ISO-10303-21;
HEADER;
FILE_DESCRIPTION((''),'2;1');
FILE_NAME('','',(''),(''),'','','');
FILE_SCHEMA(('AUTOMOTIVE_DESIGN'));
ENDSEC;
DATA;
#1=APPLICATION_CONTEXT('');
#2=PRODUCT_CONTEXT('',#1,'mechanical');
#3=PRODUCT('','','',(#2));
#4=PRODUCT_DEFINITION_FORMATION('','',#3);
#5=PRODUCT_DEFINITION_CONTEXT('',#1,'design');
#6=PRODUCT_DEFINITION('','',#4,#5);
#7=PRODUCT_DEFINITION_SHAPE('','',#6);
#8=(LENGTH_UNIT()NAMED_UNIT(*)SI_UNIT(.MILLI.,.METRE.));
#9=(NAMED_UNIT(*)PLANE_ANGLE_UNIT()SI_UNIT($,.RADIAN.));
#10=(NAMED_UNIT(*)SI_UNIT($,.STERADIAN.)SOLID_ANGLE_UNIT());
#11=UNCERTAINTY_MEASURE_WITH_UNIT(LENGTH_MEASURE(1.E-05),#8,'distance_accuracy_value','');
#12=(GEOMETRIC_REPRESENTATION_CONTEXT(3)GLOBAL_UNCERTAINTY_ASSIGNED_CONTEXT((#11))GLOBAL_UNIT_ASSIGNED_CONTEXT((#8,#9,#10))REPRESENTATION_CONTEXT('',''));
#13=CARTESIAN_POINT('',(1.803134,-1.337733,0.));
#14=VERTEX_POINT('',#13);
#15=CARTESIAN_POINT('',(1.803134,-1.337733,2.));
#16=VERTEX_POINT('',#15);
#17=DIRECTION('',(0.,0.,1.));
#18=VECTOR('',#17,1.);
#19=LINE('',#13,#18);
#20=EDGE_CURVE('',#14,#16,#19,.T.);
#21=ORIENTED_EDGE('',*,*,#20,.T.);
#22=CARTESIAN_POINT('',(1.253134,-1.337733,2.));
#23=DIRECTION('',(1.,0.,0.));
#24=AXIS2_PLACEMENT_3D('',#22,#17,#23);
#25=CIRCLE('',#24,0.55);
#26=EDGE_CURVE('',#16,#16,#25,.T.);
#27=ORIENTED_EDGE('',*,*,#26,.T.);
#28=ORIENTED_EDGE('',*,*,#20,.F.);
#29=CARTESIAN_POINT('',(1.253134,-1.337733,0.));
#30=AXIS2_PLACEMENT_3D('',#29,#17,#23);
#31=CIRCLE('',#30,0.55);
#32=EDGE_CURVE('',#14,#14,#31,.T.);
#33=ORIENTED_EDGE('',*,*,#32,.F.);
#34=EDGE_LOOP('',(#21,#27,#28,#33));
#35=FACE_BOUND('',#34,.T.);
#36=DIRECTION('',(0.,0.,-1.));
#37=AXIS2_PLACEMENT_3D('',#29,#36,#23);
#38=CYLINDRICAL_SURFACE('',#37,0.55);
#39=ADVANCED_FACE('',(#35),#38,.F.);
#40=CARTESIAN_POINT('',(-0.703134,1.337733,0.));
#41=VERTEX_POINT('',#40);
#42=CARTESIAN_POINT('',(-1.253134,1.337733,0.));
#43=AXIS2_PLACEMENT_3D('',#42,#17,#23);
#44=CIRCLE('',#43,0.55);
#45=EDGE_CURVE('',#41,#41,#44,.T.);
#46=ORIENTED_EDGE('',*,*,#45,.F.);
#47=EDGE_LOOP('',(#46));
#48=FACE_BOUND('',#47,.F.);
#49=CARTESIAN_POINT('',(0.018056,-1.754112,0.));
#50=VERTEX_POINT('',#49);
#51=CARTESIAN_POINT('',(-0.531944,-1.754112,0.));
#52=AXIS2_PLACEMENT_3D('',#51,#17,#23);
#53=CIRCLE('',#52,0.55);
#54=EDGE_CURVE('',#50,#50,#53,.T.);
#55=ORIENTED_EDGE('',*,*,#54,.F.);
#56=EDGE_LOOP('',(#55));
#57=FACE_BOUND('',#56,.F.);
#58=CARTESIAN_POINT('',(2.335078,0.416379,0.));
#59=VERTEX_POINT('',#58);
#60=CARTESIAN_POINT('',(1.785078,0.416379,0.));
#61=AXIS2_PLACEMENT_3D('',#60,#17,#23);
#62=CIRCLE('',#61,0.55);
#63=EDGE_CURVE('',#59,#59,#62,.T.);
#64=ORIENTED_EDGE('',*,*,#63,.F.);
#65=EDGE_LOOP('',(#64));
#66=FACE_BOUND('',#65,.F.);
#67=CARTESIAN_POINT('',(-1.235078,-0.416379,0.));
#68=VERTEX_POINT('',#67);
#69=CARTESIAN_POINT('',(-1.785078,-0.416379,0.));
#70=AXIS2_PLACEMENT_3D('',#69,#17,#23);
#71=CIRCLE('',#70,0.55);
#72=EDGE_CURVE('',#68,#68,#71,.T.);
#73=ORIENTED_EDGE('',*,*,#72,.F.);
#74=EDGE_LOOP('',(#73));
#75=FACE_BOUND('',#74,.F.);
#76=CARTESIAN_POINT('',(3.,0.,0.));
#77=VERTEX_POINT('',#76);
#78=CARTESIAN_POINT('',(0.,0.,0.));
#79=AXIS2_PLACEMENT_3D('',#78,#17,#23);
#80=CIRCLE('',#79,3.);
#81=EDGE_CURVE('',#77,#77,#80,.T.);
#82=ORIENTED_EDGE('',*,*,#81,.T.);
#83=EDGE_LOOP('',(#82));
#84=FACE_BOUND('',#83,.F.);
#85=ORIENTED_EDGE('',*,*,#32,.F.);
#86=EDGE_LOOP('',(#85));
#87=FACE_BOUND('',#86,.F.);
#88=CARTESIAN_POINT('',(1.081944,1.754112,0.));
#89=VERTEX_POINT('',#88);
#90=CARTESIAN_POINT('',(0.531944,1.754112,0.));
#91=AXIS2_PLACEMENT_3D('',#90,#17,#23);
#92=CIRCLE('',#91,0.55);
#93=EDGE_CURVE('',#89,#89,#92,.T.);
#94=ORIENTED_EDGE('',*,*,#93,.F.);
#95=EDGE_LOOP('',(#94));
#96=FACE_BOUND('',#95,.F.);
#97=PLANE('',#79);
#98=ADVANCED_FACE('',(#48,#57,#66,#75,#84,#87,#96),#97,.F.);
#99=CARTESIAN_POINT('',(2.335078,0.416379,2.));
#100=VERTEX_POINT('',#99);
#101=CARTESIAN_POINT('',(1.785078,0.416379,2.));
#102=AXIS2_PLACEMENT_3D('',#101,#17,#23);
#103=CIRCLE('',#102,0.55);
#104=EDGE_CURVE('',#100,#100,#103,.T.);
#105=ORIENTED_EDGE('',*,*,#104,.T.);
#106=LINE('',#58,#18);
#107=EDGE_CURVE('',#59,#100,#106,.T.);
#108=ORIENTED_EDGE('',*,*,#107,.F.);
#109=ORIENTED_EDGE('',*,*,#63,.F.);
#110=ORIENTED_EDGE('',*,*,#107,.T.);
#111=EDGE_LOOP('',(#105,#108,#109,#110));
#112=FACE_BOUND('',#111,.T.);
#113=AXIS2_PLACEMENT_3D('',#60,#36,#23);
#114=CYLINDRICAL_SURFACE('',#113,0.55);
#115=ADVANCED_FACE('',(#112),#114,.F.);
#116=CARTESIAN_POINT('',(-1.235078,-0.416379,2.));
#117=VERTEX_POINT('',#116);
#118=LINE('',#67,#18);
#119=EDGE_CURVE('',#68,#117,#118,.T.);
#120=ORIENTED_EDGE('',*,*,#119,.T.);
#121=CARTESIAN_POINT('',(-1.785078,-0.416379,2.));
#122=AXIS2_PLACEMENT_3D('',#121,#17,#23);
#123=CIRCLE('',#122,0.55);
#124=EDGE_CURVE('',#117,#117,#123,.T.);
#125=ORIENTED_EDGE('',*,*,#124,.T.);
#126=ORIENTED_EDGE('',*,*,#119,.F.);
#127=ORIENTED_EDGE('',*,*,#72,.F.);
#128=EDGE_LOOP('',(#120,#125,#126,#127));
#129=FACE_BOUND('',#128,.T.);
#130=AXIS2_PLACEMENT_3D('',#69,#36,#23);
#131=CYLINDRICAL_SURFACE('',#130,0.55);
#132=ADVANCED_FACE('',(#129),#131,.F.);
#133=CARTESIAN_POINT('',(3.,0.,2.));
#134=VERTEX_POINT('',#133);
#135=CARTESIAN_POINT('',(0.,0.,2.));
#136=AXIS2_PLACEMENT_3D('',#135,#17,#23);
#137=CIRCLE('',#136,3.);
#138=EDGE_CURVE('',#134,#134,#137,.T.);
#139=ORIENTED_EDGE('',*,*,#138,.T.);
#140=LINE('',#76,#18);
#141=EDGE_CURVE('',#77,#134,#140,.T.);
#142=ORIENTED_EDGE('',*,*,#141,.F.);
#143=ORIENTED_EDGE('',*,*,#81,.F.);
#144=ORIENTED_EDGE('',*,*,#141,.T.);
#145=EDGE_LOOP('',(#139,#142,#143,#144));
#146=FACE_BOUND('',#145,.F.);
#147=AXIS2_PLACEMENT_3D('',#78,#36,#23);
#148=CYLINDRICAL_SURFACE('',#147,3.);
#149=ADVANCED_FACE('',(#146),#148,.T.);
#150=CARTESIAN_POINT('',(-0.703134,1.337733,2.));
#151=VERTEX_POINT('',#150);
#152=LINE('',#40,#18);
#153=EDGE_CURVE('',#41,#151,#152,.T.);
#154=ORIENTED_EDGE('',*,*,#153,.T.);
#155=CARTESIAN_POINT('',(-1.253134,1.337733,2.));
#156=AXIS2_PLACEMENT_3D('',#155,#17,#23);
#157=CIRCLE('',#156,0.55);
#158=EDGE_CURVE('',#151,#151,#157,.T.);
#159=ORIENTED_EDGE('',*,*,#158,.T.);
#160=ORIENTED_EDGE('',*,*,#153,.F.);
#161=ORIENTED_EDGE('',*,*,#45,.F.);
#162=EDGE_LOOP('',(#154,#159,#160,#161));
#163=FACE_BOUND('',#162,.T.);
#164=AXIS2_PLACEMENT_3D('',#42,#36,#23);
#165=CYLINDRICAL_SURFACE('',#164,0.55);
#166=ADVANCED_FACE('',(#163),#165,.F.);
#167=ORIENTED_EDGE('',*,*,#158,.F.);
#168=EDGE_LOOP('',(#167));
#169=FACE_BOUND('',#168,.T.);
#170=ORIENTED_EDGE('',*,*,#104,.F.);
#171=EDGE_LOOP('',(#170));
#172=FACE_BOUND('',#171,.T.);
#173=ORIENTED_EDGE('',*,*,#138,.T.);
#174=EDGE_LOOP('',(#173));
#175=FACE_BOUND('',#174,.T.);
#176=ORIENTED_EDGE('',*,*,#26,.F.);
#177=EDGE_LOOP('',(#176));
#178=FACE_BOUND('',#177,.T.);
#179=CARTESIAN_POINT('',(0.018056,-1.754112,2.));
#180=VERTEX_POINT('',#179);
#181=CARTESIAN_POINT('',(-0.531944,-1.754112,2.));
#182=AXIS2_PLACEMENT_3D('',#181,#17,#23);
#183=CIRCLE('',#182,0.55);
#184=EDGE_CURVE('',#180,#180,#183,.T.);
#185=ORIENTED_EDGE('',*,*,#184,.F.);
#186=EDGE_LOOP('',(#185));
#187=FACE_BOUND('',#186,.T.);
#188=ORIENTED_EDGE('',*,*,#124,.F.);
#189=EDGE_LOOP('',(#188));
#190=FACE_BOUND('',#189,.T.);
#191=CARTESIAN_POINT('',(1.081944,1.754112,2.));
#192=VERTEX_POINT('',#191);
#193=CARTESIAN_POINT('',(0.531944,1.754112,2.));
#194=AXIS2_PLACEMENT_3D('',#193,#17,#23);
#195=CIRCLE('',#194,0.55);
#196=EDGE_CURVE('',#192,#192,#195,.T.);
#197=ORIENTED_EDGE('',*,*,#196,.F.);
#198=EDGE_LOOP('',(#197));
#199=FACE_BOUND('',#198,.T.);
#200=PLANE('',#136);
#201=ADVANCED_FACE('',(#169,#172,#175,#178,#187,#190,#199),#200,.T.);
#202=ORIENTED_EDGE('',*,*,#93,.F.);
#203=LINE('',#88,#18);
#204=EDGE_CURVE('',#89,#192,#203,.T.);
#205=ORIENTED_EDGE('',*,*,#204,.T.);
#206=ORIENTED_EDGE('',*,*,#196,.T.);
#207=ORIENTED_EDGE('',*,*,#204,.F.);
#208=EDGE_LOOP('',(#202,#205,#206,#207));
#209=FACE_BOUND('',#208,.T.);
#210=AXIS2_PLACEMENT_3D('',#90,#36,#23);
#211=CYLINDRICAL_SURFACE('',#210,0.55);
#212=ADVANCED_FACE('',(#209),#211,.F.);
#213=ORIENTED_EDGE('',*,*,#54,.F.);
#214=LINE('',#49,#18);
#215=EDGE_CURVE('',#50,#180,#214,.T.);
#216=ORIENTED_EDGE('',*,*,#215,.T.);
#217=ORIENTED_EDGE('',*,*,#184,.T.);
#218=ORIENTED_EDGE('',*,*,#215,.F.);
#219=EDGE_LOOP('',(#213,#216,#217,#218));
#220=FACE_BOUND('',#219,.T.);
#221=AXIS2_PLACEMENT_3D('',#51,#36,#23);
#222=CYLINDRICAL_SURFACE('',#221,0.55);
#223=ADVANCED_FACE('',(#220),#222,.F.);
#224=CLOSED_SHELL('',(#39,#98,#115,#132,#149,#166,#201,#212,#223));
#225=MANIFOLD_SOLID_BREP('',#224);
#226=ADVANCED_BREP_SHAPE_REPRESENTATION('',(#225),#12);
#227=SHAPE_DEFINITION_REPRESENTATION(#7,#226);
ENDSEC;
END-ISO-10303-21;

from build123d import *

# Parameters (mm, degrees)
F0_R     = 3
F2_DEPTH = 2
F1_R     = 0.55
F3_DEPTH = 2


with BuildPart() as f2:
    # F0 (on Top) → F2 (new body)
    with BuildSketch(Plane.XY):
        Circle(F0_R)
    extrude(amount=F2_DEPTH)

    # F1 (on Top) → F3 (cut)
    with BuildSketch(Plane.XY):
        with Locations((-1.253134, 1.337733)):
            Circle(F1_R)
        with Locations((-1.785078, -0.416379)):
            Circle(F1_R)
        with Locations((-0.531944, -1.754112)):
            Circle(F1_R)
        with Locations((1.253134, -1.337733)):
            Circle(F1_R)
        with Locations((1.785078, 0.416379)):
            Circle(F1_R)
        with Locations((0.531944, 1.754112)):
            Circle(F1_R)
    extrude(amount=F3_DEPTH, mode=Mode.SUBTRACT)


solid = f2.part
